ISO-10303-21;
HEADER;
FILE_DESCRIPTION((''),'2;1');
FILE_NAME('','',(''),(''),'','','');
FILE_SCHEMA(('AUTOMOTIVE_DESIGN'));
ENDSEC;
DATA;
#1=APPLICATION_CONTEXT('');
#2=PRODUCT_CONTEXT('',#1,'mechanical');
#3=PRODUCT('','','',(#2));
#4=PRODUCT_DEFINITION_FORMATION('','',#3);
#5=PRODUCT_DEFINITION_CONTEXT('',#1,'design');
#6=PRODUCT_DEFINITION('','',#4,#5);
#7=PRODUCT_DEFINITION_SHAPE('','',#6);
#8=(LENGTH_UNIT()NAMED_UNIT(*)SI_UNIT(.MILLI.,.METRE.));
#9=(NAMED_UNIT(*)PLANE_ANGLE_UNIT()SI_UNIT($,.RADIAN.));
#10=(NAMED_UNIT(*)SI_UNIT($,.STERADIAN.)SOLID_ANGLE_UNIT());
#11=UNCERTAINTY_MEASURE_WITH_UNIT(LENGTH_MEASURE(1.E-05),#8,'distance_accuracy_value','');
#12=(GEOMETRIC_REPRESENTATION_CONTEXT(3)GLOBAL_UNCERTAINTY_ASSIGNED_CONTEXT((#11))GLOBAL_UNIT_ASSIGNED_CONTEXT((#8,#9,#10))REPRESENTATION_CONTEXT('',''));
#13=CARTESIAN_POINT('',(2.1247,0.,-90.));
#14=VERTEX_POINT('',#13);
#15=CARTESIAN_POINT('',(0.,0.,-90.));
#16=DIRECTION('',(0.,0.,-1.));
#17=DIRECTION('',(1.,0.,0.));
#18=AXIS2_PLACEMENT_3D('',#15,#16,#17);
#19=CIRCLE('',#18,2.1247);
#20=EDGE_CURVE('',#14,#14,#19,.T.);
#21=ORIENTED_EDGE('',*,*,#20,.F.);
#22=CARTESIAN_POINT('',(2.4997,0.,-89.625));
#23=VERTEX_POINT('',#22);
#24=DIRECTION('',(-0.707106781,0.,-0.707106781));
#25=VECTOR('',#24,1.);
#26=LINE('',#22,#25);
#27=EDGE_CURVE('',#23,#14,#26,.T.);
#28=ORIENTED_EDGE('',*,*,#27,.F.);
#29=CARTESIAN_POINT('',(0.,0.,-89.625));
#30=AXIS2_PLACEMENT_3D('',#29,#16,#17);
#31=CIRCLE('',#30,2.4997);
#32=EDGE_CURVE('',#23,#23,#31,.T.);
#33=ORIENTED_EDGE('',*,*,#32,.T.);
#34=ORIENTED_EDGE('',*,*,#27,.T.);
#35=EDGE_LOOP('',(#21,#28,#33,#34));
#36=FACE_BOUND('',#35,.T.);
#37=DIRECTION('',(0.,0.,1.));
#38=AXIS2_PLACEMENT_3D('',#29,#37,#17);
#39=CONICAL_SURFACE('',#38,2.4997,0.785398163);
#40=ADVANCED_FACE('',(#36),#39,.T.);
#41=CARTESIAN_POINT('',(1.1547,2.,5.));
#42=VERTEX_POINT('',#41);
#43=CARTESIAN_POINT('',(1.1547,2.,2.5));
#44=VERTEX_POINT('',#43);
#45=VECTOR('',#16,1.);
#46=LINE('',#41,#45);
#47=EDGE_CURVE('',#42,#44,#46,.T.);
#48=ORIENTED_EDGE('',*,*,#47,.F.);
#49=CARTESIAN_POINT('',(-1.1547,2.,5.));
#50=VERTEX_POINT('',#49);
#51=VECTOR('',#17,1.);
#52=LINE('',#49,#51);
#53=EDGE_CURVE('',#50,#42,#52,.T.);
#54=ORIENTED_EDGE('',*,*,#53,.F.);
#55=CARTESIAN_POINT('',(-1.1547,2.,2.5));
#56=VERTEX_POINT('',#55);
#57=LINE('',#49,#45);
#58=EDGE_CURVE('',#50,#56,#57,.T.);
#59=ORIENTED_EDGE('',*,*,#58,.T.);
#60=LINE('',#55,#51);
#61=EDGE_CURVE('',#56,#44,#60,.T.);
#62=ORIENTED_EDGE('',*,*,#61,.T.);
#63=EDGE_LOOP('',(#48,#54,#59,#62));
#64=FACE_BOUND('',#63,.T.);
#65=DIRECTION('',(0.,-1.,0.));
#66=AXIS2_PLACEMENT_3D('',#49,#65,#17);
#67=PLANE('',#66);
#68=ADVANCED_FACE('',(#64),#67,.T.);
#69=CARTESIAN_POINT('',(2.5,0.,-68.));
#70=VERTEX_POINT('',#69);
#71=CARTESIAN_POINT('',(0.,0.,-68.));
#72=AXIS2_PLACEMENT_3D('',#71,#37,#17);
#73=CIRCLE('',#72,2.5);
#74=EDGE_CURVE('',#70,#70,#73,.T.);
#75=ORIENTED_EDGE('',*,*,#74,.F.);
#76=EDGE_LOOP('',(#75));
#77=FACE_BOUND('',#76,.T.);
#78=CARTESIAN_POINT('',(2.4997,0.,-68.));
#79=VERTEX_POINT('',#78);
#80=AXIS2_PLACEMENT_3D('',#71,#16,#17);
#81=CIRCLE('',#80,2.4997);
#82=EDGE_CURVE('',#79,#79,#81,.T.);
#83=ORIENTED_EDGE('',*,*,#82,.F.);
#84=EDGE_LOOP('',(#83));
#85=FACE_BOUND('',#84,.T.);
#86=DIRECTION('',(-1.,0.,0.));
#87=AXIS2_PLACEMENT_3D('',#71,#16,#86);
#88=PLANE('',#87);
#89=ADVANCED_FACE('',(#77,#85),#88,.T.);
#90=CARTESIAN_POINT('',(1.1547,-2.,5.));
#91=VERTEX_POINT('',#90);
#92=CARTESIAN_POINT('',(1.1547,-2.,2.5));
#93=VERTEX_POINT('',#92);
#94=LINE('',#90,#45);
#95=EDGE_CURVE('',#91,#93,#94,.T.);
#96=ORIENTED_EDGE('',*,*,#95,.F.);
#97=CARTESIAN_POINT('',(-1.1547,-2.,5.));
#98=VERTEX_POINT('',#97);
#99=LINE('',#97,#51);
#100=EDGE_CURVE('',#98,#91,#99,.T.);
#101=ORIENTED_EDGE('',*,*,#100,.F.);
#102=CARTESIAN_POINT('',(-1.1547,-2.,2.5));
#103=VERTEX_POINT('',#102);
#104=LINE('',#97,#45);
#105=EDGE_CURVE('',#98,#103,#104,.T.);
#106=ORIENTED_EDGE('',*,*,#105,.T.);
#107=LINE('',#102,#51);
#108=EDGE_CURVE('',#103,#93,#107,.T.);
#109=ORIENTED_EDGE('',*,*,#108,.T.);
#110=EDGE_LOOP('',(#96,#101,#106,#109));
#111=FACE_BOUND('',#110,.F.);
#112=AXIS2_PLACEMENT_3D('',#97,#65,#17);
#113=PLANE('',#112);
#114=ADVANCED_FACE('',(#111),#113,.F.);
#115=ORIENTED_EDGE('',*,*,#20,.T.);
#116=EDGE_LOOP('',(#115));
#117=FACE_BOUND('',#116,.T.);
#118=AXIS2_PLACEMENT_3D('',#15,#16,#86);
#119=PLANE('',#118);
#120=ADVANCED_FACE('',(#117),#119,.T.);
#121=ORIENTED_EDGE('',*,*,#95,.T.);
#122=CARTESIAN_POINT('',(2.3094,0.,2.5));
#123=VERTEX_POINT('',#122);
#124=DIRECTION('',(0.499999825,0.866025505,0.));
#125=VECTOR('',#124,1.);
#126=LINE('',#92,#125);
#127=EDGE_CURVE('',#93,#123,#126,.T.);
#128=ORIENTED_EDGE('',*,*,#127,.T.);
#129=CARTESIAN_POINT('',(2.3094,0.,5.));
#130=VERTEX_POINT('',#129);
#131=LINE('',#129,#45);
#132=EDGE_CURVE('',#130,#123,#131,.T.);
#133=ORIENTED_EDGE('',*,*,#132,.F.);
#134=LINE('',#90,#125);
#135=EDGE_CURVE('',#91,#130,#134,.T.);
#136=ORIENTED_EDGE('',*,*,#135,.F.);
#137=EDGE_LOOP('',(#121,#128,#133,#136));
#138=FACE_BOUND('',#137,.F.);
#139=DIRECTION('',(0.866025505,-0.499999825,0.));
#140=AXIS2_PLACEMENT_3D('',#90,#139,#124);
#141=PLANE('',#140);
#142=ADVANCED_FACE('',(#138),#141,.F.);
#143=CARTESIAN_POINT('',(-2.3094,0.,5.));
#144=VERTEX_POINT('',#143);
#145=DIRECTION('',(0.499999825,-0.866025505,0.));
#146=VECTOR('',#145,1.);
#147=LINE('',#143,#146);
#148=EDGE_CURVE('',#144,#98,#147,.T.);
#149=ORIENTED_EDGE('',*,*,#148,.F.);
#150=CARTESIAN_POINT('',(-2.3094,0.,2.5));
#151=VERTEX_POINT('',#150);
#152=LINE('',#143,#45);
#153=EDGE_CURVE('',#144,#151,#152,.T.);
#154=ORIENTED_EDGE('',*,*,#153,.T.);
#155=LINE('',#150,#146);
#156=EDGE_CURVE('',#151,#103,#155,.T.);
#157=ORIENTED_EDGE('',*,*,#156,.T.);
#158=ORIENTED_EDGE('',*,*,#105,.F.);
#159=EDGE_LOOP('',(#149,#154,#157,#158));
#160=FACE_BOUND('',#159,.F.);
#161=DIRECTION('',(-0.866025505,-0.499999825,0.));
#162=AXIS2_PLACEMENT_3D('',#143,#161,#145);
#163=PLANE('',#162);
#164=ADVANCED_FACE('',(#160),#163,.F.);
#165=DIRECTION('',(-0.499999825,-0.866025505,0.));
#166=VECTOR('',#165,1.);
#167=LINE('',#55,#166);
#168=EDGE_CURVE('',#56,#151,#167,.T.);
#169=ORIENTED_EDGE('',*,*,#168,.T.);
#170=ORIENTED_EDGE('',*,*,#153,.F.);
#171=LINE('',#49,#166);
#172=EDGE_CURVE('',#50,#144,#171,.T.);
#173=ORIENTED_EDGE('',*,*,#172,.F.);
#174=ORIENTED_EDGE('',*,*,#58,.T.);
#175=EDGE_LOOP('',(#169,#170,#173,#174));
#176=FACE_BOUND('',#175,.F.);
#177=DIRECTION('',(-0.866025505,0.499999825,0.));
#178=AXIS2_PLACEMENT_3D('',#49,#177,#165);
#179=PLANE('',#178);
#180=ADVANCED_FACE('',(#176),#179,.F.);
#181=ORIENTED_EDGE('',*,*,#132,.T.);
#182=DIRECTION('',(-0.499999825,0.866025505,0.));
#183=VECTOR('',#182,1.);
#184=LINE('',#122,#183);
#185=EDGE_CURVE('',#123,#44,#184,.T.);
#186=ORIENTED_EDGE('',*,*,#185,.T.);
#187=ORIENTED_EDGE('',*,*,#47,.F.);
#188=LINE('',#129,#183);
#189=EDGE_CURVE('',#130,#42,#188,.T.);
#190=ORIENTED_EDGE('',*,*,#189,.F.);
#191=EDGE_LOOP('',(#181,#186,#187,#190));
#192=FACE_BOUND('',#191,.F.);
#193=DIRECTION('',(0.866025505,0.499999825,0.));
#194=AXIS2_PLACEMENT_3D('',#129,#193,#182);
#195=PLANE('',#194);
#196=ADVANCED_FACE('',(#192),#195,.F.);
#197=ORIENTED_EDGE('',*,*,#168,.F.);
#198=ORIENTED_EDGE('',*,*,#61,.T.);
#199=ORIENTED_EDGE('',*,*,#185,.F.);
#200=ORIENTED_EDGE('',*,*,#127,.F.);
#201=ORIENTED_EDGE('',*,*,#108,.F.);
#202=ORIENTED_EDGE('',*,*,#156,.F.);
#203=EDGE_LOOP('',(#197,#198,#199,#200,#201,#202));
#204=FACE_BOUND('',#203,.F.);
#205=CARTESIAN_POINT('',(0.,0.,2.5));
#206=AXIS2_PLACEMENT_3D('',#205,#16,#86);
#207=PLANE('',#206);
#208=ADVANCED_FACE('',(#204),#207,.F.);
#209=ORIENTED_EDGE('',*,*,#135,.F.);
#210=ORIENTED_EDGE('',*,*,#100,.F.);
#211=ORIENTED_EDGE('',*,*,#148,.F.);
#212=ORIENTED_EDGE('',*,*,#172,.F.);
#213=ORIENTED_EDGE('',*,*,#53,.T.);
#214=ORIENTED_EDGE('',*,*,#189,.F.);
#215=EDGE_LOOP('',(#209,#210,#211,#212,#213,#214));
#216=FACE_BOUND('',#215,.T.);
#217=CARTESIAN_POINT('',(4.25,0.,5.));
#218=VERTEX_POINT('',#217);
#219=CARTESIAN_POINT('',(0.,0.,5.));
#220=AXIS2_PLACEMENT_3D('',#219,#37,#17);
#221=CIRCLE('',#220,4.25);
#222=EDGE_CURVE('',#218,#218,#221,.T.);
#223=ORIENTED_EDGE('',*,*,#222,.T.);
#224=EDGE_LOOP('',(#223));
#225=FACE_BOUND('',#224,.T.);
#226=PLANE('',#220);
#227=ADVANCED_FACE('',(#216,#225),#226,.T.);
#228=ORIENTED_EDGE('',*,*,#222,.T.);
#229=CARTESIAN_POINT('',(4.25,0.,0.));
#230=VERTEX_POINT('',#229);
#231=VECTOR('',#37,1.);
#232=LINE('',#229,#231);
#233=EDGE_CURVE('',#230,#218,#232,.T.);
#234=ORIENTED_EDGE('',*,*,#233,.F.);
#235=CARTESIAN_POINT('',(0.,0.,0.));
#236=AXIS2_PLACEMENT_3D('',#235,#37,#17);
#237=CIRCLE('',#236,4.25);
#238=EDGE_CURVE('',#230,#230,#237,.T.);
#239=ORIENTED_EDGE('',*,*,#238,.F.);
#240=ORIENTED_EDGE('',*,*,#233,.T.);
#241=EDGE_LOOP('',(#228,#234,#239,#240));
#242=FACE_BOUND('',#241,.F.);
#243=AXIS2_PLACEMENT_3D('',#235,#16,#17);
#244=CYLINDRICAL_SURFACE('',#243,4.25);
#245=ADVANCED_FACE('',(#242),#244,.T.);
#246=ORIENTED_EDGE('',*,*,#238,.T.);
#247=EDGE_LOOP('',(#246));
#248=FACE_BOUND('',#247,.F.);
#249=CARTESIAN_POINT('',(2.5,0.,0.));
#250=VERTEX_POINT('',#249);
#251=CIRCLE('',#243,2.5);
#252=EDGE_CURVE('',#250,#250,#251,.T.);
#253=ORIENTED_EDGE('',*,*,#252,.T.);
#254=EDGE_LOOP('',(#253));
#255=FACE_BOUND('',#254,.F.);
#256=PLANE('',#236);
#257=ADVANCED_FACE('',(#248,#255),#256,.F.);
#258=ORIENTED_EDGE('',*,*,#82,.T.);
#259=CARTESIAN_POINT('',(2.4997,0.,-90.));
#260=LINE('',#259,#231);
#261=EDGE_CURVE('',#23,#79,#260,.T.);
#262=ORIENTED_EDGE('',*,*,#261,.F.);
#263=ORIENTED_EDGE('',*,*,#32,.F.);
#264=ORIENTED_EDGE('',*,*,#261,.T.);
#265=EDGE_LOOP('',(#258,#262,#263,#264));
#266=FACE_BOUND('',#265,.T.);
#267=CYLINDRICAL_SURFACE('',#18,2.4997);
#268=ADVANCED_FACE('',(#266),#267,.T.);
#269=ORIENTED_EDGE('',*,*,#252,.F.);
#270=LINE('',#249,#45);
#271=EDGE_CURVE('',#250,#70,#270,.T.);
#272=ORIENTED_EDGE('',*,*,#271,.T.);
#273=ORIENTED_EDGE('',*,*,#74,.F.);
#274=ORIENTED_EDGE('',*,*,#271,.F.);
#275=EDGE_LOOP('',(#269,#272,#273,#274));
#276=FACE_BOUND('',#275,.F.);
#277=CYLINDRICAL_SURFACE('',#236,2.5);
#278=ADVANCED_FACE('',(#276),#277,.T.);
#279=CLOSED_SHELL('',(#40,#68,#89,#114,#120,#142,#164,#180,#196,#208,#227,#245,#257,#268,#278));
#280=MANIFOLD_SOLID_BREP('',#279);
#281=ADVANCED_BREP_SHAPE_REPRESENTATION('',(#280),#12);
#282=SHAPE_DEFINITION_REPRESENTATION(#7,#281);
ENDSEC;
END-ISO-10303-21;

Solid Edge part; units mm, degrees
sketch "Sketch1" plane through (0, 0, 0) normal (0, 0, 1) x (1, 0, 0)
  circle A0 centre (0, 0) radius 4.25
  dimension "D1" = 8.5
extrude "Protrusion1" add sketch "Sketch1" along normal blind 5
sketch "Sketch2" plane through (0, 0, 0) normal (0, 0, -1) x (1, 0, 0)
  circle A0 centre (0, 0) radius 2.5
extrude "Protrusion2" add sketch "Sketch2" along normal blind 90
sketch "Sketch3" plane through (0, 0, -90) normal (0, 0, -1) x (1, 0, 0)
  circle A0 centre (0, 0) radius 2.4997
extrude "Cutout1" cut sketch "Sketch3" against normal blind 22 flip side to cut
chamfer "Chamfer_1" distance 0.375 angle 45 1 edges at (-2.4997, 0, -90)
sketch "Sketch4" plane through (0, 0, 5) normal (0, 0, 1) x (1, 0, 0)
  line L0 (-1.1547, 2) -> (1.1547, 2)
  line L1 (2.3094, 0) -> (1.1547, 2)
  line L2 (1.1547, -2) -> (2.3094, 0)
  line L3 (-1.1547, -2) -> (1.1547, -2)
  line L4 (-2.3094, 0) -> (-1.1547, -2)
  line L5 (-1.1547, 2) -> (-2.3094, 0)
  dimension "D1" = 4
extrude "Cutout2" cut sketch "Sketch4" against normal blind 2.5
properties part number "120890"
